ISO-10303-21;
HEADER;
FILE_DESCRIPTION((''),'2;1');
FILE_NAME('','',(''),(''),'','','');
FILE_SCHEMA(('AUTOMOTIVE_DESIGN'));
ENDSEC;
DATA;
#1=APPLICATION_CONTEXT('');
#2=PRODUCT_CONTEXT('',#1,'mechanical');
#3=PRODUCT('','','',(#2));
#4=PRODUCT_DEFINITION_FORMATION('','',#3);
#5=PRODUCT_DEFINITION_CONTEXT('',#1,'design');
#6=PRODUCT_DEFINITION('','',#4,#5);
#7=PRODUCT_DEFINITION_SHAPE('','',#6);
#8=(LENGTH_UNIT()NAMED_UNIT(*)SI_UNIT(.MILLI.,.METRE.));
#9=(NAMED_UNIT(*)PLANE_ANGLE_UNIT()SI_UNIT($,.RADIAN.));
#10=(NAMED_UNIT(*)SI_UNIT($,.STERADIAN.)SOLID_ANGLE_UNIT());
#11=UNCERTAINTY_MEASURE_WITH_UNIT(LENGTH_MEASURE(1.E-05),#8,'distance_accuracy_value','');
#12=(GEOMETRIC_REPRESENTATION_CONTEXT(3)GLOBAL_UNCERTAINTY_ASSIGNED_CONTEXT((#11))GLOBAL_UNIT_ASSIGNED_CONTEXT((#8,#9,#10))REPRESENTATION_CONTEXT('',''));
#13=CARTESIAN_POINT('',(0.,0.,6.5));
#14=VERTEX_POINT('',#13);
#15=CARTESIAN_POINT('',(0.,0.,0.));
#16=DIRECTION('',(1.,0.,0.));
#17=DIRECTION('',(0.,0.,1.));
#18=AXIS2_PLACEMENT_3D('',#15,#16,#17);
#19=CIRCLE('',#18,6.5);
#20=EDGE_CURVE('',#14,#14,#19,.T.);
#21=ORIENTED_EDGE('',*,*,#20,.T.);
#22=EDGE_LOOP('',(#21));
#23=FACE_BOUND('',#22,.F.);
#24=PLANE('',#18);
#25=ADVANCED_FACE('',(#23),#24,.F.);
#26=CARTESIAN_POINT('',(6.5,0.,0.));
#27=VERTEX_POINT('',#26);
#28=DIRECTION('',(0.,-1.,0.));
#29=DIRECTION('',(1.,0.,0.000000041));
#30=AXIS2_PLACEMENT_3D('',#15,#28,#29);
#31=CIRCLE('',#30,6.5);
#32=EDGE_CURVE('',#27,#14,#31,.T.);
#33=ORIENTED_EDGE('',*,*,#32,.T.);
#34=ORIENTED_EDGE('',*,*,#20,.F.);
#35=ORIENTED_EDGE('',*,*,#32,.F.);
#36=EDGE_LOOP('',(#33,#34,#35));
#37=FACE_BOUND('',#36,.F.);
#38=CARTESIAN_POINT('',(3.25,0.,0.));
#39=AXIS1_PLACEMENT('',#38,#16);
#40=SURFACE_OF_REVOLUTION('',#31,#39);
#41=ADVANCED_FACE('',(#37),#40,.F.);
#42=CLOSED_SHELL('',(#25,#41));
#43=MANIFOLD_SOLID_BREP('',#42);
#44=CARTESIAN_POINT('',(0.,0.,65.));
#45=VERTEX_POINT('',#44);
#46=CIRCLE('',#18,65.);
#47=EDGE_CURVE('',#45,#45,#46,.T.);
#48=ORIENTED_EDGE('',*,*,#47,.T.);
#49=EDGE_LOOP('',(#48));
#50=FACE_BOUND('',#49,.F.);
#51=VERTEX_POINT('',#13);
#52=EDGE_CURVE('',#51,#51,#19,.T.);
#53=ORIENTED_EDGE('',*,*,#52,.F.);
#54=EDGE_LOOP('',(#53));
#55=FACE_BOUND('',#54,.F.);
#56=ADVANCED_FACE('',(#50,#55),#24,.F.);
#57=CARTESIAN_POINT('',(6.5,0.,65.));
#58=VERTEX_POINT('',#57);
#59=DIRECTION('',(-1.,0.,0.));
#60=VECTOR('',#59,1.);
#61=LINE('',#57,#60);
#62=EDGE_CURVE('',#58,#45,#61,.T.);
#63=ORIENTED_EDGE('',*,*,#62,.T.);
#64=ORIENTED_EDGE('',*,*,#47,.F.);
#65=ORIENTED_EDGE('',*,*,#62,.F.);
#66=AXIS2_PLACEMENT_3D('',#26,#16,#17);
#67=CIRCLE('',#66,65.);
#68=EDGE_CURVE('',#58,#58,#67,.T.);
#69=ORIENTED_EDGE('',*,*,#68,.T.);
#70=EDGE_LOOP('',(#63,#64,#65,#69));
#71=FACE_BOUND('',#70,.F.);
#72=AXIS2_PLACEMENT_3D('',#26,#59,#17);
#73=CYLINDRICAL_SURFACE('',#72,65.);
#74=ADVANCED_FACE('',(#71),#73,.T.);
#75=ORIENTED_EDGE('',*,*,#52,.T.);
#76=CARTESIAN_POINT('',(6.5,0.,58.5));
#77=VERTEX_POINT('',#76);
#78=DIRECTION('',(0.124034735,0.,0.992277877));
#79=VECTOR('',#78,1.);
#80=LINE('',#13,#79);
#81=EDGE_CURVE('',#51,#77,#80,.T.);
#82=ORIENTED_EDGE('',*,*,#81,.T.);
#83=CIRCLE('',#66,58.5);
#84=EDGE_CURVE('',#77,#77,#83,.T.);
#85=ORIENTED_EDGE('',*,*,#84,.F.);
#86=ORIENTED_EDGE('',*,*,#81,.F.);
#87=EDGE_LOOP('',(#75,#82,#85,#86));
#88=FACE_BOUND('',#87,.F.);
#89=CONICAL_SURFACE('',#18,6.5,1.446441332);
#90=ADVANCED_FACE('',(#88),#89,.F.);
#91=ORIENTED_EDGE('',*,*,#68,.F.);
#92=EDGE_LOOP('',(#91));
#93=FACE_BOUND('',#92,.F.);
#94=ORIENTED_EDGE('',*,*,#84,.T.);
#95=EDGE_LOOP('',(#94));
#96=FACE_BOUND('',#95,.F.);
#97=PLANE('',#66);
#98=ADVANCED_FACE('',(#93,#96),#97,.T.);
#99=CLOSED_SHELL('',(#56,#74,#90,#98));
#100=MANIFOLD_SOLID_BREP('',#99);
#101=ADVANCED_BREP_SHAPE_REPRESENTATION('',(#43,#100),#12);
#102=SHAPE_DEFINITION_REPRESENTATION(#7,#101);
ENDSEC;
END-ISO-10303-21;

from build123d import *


with BuildPart() as f1:
    # F0 (on Front) → F1 (revolve)
    with BuildSketch(Plane.XZ):
        Polygon((0, 65), (0, 6.5), (6.5, 58.5), (6.5, 65), align=None)
        with BuildLine():
            Line((0, 6.5), (0, 0))
            Line((0, 0), (6.5, 0))
            ThreePointArc((6.5, 0), (4.596194, 4.596194), (0, 6.5))
        make_face()
    revolve(axis=Axis((3.25, 0, 0), (1, 0, 0)))


solid = f1.part
